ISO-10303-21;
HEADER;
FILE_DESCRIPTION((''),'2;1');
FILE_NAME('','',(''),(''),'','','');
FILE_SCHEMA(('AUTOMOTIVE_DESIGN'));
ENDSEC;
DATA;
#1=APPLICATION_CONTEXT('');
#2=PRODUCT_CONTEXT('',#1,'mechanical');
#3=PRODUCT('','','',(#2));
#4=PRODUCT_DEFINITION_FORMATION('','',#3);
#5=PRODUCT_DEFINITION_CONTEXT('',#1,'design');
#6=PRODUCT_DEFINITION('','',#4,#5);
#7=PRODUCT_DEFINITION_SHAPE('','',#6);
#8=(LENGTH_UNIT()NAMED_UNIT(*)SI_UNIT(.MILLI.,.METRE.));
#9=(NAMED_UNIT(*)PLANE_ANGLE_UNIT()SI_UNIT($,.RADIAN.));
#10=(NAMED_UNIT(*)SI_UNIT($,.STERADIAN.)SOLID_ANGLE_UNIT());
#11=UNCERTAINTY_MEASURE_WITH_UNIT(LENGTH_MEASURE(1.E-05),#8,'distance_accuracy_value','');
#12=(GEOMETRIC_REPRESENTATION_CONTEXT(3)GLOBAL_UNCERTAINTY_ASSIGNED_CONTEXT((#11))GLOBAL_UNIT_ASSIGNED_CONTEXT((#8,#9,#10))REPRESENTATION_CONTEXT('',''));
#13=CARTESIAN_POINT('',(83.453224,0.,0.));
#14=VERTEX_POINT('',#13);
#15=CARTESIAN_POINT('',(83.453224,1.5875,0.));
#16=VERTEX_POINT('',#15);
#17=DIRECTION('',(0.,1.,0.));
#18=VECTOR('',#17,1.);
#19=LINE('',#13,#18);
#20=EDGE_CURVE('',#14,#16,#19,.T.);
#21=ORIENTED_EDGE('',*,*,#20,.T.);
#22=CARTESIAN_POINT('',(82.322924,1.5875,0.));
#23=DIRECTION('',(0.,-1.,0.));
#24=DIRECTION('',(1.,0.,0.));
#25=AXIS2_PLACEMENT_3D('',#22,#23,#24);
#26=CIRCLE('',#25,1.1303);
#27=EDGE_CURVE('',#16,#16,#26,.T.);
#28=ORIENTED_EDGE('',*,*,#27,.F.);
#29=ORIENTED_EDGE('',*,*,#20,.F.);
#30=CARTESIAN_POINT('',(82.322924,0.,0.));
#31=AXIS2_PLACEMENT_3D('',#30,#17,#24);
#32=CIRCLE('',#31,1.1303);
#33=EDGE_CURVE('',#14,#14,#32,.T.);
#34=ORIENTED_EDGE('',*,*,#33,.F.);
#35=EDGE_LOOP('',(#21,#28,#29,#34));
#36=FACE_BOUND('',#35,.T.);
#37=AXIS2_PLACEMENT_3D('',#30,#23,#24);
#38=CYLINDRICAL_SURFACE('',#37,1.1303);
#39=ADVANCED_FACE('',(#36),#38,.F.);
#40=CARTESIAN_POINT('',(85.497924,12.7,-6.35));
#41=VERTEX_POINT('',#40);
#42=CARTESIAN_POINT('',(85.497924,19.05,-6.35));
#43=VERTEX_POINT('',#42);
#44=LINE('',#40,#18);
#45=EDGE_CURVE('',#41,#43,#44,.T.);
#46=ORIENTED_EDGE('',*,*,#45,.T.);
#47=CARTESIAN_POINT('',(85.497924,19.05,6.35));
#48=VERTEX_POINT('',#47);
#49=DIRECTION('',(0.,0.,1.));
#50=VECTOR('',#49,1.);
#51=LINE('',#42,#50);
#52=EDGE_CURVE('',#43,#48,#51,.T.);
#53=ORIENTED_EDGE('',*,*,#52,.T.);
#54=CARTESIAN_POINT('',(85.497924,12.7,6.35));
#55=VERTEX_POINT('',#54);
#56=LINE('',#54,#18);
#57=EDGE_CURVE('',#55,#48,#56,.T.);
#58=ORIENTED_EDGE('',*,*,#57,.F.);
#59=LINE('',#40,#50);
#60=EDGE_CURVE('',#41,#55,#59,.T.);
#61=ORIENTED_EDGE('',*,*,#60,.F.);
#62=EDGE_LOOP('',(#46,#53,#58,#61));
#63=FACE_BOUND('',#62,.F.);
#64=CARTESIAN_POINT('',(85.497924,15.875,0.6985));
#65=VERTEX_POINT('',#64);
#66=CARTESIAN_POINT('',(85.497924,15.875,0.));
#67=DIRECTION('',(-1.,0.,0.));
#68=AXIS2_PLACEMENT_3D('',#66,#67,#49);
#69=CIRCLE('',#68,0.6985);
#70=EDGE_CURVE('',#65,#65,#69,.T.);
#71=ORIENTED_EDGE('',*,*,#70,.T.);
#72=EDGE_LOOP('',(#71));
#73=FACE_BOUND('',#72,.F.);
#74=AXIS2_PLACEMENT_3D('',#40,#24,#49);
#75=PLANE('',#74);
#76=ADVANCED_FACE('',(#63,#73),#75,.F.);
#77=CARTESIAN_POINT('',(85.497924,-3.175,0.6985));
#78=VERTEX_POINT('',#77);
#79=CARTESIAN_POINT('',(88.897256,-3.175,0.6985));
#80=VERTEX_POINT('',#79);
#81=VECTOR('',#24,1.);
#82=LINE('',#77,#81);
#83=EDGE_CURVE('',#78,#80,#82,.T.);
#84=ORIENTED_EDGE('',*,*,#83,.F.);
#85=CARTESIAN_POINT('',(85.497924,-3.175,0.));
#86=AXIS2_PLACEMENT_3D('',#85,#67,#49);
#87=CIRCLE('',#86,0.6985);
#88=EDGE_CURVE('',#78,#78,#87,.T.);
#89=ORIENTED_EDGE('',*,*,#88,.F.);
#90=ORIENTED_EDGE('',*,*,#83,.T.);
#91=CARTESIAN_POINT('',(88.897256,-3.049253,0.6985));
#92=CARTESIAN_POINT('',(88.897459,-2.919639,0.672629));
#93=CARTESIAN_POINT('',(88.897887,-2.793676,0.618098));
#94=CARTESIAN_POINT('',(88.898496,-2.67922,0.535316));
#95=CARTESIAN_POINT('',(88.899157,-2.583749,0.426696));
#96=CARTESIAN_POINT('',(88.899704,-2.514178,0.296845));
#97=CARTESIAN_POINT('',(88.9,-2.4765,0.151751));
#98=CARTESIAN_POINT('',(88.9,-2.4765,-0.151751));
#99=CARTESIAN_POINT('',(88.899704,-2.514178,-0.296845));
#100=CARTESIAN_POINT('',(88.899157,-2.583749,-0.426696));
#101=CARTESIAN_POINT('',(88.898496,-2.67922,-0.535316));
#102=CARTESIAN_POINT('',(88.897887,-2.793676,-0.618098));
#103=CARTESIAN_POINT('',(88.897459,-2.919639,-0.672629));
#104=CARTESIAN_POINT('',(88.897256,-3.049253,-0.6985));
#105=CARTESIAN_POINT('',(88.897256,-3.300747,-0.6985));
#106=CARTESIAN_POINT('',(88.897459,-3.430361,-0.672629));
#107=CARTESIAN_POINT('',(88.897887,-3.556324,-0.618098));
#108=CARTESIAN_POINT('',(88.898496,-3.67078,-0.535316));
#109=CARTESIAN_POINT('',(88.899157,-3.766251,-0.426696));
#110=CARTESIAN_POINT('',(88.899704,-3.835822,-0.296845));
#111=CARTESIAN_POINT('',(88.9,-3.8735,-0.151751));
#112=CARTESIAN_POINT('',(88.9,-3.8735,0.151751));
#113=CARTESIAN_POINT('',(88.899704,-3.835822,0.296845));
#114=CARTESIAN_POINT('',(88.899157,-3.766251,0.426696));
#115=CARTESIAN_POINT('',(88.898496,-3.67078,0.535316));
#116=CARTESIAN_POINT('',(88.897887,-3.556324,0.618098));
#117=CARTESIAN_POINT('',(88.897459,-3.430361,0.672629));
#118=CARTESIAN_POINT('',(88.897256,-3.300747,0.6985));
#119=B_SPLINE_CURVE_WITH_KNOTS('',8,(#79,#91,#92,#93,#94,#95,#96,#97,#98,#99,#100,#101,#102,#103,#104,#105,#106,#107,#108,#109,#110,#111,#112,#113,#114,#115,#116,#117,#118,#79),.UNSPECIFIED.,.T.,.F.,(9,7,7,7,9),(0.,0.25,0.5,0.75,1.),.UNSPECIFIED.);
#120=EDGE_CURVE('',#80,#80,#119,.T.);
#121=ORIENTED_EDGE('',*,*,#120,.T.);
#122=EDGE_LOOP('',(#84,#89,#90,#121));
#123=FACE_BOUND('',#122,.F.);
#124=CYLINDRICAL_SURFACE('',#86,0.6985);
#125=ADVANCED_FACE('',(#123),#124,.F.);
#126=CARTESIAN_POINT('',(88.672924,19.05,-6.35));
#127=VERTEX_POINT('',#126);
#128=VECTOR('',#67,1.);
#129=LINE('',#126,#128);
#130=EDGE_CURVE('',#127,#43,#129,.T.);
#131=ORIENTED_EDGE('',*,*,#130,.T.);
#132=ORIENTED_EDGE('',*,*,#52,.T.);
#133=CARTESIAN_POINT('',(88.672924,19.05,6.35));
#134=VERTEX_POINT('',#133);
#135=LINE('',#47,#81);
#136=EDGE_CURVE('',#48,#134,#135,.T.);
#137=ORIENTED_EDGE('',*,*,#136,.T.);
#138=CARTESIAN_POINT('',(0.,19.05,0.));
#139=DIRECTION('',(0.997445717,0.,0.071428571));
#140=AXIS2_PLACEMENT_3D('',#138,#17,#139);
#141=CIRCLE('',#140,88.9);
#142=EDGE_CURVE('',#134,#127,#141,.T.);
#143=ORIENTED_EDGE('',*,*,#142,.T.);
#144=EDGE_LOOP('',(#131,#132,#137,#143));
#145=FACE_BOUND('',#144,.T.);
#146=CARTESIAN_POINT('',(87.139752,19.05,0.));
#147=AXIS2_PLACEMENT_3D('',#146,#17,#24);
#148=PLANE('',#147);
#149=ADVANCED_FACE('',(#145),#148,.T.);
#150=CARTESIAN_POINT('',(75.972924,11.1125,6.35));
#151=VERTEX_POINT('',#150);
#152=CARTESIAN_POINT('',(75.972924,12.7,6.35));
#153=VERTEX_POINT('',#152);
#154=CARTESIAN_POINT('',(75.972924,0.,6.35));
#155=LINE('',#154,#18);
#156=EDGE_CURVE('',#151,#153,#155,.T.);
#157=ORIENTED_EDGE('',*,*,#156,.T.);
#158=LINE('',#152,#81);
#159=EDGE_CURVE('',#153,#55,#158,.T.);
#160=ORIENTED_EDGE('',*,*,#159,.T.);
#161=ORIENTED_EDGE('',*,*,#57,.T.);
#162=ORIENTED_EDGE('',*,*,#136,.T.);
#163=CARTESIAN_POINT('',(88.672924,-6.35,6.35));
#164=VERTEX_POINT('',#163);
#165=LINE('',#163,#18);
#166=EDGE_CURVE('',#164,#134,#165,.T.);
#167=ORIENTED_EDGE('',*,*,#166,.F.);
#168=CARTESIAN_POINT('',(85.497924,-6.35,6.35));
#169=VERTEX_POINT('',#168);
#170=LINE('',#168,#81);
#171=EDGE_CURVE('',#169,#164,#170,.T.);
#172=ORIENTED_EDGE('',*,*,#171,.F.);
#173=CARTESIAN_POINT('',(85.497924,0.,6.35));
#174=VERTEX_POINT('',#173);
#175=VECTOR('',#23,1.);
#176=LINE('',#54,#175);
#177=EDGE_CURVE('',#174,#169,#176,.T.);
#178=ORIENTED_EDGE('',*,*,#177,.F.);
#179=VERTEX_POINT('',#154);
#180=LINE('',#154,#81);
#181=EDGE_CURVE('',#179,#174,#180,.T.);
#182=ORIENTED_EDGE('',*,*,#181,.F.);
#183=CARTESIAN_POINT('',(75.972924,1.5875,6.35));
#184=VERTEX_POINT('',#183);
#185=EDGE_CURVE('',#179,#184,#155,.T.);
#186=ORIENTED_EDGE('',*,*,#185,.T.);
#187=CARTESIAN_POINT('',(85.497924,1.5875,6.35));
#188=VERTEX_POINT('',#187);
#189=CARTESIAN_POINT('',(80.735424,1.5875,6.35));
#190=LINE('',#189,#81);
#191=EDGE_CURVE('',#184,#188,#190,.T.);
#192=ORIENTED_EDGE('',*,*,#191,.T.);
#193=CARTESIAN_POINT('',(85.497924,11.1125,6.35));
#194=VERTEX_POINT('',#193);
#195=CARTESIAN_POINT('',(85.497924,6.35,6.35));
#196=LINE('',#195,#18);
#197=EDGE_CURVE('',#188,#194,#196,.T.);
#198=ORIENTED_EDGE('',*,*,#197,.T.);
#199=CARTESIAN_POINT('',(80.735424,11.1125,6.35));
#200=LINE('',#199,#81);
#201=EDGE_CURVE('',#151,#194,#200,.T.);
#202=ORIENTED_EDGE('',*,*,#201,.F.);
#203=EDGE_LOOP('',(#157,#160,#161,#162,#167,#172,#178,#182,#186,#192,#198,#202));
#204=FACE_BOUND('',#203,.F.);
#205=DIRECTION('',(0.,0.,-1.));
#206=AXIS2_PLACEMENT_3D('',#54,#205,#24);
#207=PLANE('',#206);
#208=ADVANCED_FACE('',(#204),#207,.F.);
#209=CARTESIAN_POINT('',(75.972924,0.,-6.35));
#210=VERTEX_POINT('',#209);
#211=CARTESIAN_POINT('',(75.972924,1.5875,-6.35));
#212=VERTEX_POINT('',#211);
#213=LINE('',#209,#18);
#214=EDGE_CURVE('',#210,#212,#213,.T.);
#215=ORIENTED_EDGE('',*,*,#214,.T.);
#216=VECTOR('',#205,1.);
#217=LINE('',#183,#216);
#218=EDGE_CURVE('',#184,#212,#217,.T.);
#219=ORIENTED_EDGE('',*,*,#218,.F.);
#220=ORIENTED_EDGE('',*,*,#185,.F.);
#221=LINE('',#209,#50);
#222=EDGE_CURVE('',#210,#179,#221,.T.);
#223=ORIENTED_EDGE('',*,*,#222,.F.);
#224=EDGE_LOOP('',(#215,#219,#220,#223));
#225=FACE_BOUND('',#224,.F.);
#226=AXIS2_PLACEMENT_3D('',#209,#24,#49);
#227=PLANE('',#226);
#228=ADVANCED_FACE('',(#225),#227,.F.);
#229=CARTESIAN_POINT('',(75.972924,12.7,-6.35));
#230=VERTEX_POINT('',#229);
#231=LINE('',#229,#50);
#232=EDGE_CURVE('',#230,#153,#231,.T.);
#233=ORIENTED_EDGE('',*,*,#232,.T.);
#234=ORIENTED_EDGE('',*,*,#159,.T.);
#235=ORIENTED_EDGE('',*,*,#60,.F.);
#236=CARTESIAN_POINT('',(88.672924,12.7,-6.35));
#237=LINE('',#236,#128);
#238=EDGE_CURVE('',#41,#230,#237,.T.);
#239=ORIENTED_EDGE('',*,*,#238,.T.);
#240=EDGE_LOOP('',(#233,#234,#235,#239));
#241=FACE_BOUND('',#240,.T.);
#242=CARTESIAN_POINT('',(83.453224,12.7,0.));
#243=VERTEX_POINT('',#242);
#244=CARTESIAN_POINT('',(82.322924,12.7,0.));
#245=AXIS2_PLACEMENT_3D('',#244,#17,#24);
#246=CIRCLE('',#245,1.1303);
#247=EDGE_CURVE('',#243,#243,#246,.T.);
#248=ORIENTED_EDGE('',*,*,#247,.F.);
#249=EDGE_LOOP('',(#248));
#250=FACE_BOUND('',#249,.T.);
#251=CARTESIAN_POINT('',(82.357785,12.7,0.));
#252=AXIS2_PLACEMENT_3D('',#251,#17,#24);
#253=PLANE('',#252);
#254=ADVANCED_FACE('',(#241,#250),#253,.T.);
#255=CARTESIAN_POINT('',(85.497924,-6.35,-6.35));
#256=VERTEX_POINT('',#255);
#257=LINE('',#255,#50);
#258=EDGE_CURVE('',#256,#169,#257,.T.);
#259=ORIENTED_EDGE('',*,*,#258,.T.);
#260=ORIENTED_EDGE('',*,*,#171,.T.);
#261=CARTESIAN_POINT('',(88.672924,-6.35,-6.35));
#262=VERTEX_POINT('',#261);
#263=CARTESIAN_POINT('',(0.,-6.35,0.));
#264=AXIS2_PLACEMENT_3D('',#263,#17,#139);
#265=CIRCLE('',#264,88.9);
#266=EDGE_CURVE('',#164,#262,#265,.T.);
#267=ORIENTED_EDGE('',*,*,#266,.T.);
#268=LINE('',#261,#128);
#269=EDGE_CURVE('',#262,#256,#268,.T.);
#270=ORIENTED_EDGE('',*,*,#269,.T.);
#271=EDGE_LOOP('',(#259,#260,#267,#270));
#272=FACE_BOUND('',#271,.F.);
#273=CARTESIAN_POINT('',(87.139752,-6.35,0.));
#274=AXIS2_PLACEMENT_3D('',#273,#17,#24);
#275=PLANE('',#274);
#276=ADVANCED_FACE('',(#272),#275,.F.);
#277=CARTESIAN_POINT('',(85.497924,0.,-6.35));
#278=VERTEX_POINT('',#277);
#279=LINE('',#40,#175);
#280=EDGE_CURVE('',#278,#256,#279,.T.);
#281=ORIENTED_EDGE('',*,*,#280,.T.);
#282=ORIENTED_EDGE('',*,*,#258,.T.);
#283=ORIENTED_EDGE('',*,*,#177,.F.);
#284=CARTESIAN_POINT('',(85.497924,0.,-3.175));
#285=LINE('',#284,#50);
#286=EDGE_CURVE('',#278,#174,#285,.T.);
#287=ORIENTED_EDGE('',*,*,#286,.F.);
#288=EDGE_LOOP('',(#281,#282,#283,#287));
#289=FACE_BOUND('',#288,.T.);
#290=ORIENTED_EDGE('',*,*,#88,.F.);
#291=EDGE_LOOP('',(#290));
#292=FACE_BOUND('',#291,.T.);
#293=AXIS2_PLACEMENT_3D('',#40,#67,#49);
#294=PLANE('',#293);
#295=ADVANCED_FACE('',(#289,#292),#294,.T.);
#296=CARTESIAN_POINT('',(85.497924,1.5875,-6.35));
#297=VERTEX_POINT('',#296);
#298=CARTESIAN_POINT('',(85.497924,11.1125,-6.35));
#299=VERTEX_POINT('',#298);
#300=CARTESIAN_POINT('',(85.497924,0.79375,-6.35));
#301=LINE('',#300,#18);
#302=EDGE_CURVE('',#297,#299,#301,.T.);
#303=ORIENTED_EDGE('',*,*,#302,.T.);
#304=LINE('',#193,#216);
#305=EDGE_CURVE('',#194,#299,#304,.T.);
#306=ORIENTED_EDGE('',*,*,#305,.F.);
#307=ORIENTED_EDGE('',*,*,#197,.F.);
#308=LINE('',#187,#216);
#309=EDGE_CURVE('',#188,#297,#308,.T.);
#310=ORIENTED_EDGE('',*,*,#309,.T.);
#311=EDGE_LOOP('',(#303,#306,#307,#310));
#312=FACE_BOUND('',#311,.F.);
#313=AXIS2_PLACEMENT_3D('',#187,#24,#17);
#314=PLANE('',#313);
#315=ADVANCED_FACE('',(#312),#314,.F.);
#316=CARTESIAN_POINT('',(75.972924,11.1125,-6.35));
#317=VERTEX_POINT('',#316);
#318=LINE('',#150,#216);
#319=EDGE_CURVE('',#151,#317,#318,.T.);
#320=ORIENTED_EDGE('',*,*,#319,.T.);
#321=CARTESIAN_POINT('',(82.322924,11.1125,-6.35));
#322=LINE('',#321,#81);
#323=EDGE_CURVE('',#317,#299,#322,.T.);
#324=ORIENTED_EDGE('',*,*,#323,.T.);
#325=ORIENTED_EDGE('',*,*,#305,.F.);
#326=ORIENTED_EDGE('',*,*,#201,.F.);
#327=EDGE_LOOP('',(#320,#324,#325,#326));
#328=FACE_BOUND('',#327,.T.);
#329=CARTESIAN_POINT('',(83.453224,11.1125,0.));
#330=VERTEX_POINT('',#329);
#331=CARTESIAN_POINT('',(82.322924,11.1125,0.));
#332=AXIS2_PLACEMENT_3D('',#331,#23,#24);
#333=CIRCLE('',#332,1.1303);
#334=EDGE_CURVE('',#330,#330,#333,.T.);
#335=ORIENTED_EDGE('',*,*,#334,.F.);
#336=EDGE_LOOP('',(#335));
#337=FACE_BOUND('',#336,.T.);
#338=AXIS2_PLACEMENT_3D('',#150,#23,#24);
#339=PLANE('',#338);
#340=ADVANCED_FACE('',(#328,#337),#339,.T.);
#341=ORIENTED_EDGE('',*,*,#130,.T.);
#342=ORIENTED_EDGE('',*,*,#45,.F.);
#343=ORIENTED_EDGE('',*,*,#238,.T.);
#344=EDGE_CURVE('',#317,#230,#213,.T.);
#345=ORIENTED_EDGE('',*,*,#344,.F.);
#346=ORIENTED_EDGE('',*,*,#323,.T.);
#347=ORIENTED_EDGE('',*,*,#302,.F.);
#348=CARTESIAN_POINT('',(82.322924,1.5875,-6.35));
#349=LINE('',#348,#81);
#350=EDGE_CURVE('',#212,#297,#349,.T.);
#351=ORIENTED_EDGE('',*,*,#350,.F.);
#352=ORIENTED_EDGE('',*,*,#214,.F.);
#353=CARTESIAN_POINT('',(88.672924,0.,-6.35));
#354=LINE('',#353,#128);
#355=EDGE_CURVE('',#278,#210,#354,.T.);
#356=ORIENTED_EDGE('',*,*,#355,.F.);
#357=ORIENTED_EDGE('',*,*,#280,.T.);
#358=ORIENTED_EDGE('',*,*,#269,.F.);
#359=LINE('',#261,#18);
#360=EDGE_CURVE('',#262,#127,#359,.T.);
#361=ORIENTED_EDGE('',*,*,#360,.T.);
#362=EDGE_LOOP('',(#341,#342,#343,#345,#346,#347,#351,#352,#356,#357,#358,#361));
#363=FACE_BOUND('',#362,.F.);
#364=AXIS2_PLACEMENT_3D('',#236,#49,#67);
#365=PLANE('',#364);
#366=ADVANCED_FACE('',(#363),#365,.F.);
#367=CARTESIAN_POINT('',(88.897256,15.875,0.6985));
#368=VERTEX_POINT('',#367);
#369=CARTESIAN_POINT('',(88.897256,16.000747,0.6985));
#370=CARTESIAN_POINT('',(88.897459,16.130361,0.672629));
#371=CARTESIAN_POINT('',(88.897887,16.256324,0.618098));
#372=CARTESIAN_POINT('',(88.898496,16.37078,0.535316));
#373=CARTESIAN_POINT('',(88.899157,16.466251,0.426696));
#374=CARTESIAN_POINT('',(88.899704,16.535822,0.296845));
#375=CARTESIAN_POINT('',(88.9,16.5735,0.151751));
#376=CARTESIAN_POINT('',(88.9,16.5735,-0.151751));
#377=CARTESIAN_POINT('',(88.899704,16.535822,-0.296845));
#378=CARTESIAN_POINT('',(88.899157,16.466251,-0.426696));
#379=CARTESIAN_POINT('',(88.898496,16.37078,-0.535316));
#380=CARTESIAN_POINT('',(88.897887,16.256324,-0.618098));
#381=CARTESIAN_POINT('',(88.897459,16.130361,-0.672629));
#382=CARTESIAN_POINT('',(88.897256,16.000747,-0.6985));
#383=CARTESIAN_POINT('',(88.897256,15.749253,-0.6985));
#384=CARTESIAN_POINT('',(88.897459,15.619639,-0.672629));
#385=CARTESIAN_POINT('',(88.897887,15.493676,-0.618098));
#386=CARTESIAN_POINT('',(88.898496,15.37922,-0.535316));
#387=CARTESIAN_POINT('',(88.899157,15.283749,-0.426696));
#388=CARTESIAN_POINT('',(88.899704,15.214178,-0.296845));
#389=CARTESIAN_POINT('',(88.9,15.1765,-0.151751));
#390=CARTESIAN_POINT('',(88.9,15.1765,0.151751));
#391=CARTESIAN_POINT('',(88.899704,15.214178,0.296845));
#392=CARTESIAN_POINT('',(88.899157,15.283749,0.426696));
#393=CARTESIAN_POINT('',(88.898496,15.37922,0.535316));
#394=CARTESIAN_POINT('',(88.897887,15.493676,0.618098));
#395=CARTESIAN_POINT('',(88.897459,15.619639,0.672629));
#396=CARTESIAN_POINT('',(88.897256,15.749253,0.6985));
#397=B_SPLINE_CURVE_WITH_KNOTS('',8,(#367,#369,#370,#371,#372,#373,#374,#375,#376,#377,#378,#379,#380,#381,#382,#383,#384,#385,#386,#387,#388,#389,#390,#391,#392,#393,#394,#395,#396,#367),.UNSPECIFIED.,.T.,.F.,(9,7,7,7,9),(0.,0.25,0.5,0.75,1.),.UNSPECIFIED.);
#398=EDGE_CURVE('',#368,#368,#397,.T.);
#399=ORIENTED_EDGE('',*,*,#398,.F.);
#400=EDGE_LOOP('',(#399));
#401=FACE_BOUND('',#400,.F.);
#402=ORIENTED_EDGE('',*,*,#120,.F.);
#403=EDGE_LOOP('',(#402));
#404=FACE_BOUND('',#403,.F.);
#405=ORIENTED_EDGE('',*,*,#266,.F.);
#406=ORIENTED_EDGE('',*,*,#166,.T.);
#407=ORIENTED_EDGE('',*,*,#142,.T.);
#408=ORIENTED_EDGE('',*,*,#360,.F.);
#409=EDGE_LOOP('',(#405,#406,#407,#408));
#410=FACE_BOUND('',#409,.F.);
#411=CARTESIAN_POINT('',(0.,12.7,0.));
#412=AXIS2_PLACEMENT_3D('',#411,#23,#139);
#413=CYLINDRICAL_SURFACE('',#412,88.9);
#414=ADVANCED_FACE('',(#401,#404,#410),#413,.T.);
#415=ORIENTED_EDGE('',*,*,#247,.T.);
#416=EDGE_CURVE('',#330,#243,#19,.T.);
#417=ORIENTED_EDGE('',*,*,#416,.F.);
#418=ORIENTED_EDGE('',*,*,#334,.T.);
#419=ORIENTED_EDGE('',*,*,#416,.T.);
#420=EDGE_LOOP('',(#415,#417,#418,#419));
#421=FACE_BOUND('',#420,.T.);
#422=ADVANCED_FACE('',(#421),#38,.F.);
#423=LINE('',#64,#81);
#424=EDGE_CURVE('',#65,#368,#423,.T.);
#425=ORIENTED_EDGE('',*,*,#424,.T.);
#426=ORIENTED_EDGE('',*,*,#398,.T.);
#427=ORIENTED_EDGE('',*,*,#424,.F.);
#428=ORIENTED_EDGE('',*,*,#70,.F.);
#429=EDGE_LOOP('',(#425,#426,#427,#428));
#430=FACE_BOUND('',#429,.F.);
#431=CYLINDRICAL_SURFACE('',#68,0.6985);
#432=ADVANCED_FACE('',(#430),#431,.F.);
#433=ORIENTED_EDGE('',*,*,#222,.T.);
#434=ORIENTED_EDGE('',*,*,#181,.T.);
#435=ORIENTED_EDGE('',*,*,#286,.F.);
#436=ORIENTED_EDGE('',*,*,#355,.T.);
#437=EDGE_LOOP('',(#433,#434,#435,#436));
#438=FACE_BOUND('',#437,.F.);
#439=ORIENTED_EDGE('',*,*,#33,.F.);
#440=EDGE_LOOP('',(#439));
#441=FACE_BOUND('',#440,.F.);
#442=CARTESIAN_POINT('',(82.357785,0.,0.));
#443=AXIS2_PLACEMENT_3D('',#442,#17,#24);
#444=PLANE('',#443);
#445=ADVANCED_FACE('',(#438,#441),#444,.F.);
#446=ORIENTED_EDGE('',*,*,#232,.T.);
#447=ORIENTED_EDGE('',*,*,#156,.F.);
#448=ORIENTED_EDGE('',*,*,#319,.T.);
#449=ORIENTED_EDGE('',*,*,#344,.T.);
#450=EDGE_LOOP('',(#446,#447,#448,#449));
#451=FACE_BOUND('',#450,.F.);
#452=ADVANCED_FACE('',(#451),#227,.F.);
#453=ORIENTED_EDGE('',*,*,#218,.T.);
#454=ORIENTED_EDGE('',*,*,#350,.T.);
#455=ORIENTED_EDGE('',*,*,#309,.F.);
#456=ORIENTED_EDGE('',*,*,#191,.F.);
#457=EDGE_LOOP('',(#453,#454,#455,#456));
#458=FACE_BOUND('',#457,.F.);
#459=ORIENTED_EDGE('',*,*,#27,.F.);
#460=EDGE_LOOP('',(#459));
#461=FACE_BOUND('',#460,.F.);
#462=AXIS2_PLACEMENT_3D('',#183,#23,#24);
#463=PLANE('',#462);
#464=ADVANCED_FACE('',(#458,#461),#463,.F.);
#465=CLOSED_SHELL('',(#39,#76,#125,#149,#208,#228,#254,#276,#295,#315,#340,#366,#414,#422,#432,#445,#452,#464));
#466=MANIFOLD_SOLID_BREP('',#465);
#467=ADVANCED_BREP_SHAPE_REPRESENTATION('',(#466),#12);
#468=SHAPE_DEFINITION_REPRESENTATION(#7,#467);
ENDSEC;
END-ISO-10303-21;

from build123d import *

# Parameters (mm, degrees)
SKETCH1_R                = 1.1303
BOSS_EXTRUDE1_DEPTH      = 12.7
SKETCH2_W                = 9.525
SKETCH2_H                = 9.525
CUT_EXTRUDE1_DEPTH       = 13.7
BOSS_EXTRUDE2_DEPTH      = 6.35
BOSS_EXTRUDE2_DEPTH_BACK = 19.05
SKETCH5_R                = 0.6985
CUT_EXTRUDE2_DEPTH       = 4.402075722


with BuildPart() as part:
    # Sketch1 → Boss-Extrude1 (new body)
    with BuildSketch(Plane(origin=(0, 0, 0), x_dir=(1, 0, 0), z_dir=(0, 1, 0))):
        with BuildLine():
            Line((75.972924278, -6.35), (88.672924278, -6.35))
            ThreePointArc((88.672924278, -6.35), (88.9, 0), (88.672924278, 6.35))
            Line((88.672924278, 6.35), (75.972924278, 6.35))
            Line((75.972924278, 6.35), (75.972924278, -6.35))
        make_face()
        with Locations((82.322924278, 0)):
            Circle(SKETCH1_R, mode=Mode.SUBTRACT)
    extrude(amount=BOSS_EXTRUDE1_DEPTH)

    # Sketch2 → Cut-Extrude1 (cut, through all)
    with BuildSketch(Plane.XY.offset(6.35)):
        with Locations((80.735424278, 6.35)):
            Rectangle(SKETCH2_W, SKETCH2_H)
    extrude(amount=-CUT_EXTRUDE1_DEPTH, mode=Mode.SUBTRACT)

    # Sketch3 → Boss-Extrude2 (add, two sides)
    with BuildSketch(Plane(origin=(0, 12.7, 0), x_dir=(1, 0, 0), z_dir=(0, 1, 0))) as boss_extrude2_sk:
        with BuildLine():
            Line((85.497924278, -6.35), (88.672924278, -6.35))
            ThreePointArc((88.672924278, -6.35), (88.9, 0), (88.672924278, 6.35))
            Line((88.672924278, 6.35), (85.497924278, 6.35))
            Line((85.497924278, 6.35), (85.497924278, -6.35))
        make_face()
    extrude(amount=BOSS_EXTRUDE2_DEPTH)
    extrude(boss_extrude2_sk.sketch, amount=-BOSS_EXTRUDE2_DEPTH_BACK)

    # Sketch5 → Cut-Extrude2 (cut, through all)
    with BuildSketch(Plane.ZY.offset(-85.497924278)):
        with Locations((0, 15.875)):
            Circle(SKETCH5_R)
        with Locations((0, -3.175)):
            Circle(SKETCH5_R)
    extrude(amount=-CUT_EXTRUDE2_DEPTH, mode=Mode.SUBTRACT)


solid = part.part
